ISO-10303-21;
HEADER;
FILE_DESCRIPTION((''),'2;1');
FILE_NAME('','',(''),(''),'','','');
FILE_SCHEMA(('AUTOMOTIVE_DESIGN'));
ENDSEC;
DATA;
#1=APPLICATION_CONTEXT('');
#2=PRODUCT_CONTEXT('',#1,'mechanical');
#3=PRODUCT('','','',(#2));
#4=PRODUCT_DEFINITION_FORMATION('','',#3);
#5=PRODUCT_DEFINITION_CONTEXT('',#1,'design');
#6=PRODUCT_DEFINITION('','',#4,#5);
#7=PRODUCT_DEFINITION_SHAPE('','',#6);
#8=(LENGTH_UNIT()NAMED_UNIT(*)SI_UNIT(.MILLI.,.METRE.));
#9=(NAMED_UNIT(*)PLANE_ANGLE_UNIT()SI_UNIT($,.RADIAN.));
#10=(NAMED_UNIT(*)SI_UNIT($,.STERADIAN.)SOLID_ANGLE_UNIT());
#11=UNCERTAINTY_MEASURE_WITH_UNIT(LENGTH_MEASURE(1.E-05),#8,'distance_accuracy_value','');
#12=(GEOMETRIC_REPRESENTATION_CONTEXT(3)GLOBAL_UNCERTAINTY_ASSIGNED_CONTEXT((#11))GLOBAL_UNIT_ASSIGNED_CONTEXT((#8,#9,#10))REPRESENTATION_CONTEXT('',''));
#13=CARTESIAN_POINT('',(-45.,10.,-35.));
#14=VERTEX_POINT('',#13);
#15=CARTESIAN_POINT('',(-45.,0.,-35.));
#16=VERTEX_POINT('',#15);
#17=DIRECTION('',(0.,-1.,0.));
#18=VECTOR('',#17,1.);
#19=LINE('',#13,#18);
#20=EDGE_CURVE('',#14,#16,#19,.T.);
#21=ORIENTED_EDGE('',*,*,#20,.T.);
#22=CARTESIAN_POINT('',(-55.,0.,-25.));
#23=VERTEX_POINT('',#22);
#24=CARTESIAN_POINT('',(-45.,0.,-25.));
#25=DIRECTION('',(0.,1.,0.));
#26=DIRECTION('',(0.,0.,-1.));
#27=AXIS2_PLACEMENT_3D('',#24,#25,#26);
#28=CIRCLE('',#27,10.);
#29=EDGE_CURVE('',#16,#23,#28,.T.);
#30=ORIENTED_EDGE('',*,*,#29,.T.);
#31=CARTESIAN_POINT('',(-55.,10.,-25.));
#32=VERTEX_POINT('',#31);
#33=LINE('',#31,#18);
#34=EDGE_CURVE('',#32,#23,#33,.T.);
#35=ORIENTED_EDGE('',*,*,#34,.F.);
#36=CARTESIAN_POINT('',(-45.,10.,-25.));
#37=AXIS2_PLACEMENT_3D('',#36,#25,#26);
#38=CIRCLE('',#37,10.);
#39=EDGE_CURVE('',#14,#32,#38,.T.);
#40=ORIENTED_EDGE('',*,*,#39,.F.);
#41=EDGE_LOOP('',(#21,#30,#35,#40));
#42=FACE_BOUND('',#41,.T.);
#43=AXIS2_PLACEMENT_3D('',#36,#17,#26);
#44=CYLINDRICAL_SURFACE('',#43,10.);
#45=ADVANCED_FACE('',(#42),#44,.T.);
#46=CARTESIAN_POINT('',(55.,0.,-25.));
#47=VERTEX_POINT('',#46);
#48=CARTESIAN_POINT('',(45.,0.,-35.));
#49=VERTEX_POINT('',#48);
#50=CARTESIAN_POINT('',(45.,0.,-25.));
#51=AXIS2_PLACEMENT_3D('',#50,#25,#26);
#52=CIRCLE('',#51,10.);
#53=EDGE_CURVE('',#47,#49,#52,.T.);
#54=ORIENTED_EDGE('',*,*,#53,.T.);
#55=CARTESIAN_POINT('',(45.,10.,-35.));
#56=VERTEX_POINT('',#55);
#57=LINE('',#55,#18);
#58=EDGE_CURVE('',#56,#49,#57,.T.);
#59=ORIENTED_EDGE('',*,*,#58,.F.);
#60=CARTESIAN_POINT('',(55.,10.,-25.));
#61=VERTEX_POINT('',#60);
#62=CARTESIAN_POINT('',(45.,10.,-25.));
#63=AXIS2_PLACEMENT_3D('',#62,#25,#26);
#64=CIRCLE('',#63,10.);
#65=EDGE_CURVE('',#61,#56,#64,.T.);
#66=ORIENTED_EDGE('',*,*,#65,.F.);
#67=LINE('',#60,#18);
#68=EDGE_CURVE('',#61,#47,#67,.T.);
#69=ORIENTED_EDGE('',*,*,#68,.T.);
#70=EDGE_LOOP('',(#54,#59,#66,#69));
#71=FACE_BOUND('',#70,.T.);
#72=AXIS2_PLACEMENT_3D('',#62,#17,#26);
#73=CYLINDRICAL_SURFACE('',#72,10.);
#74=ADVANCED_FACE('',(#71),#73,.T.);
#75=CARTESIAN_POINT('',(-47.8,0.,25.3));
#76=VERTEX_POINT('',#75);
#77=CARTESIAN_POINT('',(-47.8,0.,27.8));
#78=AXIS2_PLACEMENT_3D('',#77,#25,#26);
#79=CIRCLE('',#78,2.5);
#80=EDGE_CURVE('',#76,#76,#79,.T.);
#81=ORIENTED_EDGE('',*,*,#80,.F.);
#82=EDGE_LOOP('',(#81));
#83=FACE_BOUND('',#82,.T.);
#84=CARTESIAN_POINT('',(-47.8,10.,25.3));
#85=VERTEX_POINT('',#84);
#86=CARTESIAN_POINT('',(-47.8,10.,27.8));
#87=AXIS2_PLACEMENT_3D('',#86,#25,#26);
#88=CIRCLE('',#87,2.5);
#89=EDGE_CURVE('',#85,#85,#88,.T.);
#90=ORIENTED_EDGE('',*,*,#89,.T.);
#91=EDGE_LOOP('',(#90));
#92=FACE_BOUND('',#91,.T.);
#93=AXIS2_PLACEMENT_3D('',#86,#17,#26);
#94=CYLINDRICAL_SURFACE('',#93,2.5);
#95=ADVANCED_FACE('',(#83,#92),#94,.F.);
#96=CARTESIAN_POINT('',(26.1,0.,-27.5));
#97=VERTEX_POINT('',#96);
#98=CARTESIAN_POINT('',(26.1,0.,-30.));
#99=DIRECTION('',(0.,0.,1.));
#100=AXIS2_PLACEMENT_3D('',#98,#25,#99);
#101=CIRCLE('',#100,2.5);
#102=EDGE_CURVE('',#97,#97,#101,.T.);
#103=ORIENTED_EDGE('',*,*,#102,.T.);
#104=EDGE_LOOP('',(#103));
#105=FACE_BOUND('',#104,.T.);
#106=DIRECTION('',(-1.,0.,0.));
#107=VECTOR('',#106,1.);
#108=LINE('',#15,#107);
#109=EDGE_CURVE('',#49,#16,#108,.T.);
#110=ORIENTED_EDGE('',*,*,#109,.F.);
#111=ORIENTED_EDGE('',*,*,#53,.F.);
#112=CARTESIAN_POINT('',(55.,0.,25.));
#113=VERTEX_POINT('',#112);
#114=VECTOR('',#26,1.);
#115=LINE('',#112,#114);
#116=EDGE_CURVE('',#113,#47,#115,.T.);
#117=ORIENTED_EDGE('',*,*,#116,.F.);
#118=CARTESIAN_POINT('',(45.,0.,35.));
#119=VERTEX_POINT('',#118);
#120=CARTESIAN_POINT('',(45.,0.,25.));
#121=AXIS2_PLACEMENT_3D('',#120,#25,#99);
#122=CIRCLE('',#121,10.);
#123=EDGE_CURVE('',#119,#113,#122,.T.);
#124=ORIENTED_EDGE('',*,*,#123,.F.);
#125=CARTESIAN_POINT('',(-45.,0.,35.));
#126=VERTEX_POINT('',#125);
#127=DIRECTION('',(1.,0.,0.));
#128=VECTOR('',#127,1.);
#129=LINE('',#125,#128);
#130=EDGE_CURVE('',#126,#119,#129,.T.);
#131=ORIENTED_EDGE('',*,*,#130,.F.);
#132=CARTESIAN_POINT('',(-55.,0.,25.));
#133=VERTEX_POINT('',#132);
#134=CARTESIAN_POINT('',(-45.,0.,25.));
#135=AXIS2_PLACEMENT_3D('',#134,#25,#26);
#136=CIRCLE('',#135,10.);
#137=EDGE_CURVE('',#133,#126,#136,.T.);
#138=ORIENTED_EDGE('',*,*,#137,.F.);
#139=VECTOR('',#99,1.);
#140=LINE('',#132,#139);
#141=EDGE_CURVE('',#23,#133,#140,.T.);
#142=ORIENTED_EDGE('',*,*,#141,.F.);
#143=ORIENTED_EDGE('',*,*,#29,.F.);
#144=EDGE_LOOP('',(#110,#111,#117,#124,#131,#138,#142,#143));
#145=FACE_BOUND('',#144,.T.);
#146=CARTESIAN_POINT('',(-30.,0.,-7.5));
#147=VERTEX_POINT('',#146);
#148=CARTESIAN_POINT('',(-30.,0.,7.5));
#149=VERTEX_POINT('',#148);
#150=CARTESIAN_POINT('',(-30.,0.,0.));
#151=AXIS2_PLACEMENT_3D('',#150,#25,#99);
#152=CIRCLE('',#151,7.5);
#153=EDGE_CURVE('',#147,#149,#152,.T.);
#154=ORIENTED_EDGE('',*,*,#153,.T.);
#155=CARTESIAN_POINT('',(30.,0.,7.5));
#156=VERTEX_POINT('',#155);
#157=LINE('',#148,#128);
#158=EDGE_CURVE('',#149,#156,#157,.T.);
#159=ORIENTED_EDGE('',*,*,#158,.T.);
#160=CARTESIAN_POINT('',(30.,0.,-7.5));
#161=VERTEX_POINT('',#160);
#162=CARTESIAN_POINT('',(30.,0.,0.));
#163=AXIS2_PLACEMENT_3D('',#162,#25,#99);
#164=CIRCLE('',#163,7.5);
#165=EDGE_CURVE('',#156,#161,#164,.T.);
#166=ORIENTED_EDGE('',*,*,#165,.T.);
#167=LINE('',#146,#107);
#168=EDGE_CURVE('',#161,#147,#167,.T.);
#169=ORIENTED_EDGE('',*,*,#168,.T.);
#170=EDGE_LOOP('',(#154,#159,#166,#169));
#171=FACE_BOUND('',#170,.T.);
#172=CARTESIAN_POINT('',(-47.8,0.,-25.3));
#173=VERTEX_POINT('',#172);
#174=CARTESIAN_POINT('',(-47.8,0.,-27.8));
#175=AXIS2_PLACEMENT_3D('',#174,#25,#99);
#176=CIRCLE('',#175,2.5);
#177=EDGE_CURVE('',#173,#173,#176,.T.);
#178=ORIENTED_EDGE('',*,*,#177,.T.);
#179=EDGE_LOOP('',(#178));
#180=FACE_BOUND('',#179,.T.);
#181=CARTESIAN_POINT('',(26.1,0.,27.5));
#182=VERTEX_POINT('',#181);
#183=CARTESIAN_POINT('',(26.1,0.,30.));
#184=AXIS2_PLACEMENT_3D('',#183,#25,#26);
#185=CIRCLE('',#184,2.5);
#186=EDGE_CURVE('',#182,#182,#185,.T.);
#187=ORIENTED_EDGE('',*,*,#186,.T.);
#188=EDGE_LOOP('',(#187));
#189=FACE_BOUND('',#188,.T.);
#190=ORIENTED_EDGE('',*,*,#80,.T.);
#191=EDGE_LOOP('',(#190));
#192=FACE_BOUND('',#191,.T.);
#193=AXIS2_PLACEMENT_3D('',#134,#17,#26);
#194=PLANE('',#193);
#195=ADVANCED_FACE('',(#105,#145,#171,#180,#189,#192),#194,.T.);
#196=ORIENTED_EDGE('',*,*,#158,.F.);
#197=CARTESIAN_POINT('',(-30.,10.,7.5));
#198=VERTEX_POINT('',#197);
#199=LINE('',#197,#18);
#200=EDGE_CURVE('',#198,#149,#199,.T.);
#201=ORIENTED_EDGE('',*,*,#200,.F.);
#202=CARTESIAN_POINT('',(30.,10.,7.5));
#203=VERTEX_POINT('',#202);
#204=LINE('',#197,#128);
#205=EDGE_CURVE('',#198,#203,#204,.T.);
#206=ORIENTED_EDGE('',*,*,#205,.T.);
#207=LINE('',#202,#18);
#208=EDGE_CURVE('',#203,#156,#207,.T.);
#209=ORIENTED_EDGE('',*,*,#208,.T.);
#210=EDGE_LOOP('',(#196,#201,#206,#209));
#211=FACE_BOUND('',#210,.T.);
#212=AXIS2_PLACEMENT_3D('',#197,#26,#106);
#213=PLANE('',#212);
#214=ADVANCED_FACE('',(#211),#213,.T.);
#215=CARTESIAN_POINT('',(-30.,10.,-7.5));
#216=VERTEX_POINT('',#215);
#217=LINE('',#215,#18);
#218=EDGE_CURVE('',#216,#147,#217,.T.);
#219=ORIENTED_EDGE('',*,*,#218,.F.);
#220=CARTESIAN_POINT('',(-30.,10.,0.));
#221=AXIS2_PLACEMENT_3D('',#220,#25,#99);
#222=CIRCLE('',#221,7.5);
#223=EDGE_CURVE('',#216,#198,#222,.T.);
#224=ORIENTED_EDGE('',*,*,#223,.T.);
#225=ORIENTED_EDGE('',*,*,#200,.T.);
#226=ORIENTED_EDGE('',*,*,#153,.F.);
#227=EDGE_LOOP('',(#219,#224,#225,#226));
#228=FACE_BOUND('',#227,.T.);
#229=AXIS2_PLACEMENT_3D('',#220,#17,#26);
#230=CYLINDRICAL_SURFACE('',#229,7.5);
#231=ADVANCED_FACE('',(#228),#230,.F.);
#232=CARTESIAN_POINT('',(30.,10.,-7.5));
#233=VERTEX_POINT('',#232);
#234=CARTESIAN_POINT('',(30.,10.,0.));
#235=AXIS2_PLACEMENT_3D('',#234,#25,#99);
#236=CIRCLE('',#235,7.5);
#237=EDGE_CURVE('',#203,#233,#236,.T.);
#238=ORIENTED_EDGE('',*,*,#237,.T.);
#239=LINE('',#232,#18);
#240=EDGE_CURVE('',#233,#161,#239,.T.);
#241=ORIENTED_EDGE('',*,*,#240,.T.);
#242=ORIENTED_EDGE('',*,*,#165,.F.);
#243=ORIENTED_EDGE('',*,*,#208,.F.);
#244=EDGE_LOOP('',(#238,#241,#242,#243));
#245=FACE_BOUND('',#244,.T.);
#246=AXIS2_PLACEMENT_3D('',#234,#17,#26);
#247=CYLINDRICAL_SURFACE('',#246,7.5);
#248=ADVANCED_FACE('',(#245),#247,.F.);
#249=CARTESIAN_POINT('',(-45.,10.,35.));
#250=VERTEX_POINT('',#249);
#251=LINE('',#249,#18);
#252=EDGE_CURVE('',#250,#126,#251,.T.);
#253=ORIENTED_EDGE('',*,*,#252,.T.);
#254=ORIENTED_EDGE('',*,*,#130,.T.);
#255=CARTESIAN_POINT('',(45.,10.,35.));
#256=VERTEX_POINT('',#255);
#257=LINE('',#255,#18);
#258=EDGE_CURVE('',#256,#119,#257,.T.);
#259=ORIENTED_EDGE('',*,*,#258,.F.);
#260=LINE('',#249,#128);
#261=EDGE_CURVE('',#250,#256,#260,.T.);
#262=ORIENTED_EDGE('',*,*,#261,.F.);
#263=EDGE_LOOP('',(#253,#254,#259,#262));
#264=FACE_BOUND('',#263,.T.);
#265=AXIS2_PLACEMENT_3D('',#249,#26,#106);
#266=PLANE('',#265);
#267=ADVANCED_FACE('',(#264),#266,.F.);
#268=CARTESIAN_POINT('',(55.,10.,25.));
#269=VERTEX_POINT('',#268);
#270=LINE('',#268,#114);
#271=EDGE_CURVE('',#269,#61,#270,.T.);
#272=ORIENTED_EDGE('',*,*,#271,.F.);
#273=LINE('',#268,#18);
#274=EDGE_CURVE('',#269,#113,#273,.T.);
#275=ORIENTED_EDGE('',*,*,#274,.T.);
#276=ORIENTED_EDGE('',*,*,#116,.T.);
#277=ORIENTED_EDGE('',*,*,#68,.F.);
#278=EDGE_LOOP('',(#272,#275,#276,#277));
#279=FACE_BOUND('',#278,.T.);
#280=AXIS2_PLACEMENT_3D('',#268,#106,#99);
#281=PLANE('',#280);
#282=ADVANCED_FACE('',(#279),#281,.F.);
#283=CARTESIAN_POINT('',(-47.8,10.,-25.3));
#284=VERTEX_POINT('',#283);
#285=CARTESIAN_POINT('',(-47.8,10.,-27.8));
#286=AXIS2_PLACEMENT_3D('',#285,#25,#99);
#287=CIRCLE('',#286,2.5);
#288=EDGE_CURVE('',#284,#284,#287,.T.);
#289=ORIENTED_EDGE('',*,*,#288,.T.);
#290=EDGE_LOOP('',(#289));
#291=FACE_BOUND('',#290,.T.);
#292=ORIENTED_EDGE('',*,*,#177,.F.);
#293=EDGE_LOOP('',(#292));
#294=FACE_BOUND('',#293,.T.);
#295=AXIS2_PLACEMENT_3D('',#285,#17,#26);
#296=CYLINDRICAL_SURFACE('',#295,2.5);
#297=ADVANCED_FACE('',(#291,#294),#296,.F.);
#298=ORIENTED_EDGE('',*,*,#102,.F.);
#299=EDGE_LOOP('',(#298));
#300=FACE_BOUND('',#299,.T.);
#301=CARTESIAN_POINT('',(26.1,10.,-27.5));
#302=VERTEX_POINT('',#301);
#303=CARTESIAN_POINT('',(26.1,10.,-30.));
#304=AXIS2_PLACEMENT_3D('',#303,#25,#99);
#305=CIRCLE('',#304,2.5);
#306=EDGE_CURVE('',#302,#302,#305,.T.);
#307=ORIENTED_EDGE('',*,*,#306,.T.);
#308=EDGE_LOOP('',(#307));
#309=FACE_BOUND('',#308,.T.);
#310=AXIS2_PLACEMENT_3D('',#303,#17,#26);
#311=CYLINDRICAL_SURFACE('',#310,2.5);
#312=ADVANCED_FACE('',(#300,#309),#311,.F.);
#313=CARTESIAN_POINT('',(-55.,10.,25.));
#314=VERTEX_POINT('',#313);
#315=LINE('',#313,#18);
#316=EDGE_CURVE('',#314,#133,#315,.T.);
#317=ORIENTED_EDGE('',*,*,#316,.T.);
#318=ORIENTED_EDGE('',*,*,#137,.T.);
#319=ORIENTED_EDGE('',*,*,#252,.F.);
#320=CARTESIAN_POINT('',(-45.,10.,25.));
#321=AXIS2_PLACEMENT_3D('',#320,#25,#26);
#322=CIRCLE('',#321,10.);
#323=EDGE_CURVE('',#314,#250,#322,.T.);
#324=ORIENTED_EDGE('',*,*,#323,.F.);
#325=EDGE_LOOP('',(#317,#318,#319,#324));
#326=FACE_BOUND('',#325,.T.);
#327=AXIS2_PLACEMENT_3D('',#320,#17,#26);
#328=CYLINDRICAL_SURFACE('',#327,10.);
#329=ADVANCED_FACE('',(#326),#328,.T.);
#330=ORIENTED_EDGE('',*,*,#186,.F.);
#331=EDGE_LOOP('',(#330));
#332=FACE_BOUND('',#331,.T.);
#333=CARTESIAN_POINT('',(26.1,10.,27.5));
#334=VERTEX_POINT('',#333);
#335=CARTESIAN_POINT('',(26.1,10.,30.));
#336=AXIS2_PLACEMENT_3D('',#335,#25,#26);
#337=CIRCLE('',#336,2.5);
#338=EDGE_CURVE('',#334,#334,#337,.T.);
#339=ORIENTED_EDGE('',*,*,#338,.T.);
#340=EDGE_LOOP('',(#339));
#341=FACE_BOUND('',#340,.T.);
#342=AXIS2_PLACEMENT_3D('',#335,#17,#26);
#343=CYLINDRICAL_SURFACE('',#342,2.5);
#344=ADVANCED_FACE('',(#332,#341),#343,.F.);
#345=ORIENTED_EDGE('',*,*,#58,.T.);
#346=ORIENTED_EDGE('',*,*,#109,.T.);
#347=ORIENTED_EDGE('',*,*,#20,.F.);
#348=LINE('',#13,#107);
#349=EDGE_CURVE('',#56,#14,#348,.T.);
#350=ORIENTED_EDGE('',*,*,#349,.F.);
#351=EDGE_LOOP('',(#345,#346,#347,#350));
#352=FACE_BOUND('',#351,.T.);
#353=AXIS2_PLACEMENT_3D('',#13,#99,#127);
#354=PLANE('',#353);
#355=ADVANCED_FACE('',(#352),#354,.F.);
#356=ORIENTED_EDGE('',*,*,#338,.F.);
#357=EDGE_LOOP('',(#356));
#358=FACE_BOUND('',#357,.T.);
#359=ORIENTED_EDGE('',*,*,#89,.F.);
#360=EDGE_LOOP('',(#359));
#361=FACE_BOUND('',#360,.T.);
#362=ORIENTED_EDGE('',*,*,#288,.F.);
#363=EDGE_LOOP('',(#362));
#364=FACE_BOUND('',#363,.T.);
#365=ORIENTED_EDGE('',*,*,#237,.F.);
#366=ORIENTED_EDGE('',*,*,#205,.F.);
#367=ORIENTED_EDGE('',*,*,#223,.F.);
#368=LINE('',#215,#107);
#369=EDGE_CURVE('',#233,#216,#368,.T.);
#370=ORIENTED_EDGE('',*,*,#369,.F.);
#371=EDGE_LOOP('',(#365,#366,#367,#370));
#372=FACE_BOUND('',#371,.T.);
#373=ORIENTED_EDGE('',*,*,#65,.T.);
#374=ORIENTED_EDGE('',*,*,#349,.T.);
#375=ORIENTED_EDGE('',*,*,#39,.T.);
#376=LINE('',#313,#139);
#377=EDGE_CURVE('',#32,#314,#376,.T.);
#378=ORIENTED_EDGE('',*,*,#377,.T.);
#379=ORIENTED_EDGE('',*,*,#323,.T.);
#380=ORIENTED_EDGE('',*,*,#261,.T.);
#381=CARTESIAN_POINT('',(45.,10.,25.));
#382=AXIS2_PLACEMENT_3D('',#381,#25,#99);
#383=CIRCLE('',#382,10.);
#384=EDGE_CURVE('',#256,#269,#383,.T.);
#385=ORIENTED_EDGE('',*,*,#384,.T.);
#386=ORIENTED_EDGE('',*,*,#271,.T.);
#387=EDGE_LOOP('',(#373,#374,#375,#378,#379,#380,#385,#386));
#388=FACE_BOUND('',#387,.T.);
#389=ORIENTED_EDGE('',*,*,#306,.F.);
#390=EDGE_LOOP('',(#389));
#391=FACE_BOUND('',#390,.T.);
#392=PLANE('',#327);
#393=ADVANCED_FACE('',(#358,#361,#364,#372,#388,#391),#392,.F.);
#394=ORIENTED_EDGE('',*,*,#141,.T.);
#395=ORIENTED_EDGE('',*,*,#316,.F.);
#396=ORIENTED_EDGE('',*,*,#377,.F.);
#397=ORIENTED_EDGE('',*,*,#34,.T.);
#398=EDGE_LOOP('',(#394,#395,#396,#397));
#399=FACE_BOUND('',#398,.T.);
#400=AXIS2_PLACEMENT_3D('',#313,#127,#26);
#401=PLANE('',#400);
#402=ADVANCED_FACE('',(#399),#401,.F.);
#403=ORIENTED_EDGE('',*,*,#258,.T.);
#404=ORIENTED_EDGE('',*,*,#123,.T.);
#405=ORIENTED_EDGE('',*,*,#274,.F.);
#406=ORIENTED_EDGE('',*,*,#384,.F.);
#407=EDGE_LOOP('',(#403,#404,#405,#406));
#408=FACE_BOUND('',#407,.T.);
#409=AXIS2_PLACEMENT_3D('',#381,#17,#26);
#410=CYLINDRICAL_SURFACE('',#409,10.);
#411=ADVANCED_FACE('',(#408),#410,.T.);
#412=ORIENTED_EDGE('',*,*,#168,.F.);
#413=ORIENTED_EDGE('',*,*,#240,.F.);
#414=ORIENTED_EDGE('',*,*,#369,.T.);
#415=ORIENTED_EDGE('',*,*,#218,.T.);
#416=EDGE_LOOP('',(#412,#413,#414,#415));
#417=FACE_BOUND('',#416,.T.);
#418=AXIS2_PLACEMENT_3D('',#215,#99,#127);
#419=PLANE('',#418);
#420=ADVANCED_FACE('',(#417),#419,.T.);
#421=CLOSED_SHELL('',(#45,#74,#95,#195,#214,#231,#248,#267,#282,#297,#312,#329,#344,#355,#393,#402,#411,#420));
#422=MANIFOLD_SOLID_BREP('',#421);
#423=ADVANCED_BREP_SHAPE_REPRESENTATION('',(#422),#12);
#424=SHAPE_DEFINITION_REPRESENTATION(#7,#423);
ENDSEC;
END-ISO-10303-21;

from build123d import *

# Parameters (mm, degrees)
SKETCH1_R           = 2.5
BOSS_EXTRUDE1_DEPTH = 10


with BuildPart() as part:
    # Sketch1 → Boss-Extrude1 (new body)
    with BuildSketch(Plane(origin=(0, 0, 0), x_dir=(1, 0, 0), z_dir=(0, 1, 0))):
        with BuildLine():
            Line((-45, -35), (45, -35))
            ThreePointArc((45, -35), (52.071067812, -32.071067812), (55, -25))
            Line((55, -25), (55, 25))
            ThreePointArc((55, 25), (52.071067812, 32.071067812), (45, 35))
            Line((45, 35), (-45, 35))
            ThreePointArc((-45, 35), (-52.071067812, 32.071067812), (-55, 25))
            Line((-55, 25), (-55, -25))
            ThreePointArc((-55, -25), (-52.071067812, -32.071067812), (-45, -35))
        make_face()
        with Locations(Location((-47.8, 27.8, 0), (0, 0, 270))):
            Circle(SKETCH1_R, mode=Mode.SUBTRACT)
        with Locations(Location((-47.8, -27.8, 0), (0, 0, 90))):
            Circle(SKETCH1_R, mode=Mode.SUBTRACT)
        with Locations(Location((26.1, 30, 0), (0, 0, 270))):
            Circle(SKETCH1_R, mode=Mode.SUBTRACT)
        with Locations(Location((26.1, -30, 0), (0, 0, 90))):
            Circle(SKETCH1_R, mode=Mode.SUBTRACT)
        with BuildLine():
            Line((-30, 7.5), (30, 7.5))
            ThreePointArc((30, 7.5), (37.5, 0), (30, -7.5))
            Line((30, -7.5), (-30, -7.5))
            ThreePointArc((-30, -7.5), (-37.5, 0), (-30, 7.5))
        make_face(mode=Mode.SUBTRACT)
    extrude(amount=BOSS_EXTRUDE1_DEPTH)


solid = part.part
